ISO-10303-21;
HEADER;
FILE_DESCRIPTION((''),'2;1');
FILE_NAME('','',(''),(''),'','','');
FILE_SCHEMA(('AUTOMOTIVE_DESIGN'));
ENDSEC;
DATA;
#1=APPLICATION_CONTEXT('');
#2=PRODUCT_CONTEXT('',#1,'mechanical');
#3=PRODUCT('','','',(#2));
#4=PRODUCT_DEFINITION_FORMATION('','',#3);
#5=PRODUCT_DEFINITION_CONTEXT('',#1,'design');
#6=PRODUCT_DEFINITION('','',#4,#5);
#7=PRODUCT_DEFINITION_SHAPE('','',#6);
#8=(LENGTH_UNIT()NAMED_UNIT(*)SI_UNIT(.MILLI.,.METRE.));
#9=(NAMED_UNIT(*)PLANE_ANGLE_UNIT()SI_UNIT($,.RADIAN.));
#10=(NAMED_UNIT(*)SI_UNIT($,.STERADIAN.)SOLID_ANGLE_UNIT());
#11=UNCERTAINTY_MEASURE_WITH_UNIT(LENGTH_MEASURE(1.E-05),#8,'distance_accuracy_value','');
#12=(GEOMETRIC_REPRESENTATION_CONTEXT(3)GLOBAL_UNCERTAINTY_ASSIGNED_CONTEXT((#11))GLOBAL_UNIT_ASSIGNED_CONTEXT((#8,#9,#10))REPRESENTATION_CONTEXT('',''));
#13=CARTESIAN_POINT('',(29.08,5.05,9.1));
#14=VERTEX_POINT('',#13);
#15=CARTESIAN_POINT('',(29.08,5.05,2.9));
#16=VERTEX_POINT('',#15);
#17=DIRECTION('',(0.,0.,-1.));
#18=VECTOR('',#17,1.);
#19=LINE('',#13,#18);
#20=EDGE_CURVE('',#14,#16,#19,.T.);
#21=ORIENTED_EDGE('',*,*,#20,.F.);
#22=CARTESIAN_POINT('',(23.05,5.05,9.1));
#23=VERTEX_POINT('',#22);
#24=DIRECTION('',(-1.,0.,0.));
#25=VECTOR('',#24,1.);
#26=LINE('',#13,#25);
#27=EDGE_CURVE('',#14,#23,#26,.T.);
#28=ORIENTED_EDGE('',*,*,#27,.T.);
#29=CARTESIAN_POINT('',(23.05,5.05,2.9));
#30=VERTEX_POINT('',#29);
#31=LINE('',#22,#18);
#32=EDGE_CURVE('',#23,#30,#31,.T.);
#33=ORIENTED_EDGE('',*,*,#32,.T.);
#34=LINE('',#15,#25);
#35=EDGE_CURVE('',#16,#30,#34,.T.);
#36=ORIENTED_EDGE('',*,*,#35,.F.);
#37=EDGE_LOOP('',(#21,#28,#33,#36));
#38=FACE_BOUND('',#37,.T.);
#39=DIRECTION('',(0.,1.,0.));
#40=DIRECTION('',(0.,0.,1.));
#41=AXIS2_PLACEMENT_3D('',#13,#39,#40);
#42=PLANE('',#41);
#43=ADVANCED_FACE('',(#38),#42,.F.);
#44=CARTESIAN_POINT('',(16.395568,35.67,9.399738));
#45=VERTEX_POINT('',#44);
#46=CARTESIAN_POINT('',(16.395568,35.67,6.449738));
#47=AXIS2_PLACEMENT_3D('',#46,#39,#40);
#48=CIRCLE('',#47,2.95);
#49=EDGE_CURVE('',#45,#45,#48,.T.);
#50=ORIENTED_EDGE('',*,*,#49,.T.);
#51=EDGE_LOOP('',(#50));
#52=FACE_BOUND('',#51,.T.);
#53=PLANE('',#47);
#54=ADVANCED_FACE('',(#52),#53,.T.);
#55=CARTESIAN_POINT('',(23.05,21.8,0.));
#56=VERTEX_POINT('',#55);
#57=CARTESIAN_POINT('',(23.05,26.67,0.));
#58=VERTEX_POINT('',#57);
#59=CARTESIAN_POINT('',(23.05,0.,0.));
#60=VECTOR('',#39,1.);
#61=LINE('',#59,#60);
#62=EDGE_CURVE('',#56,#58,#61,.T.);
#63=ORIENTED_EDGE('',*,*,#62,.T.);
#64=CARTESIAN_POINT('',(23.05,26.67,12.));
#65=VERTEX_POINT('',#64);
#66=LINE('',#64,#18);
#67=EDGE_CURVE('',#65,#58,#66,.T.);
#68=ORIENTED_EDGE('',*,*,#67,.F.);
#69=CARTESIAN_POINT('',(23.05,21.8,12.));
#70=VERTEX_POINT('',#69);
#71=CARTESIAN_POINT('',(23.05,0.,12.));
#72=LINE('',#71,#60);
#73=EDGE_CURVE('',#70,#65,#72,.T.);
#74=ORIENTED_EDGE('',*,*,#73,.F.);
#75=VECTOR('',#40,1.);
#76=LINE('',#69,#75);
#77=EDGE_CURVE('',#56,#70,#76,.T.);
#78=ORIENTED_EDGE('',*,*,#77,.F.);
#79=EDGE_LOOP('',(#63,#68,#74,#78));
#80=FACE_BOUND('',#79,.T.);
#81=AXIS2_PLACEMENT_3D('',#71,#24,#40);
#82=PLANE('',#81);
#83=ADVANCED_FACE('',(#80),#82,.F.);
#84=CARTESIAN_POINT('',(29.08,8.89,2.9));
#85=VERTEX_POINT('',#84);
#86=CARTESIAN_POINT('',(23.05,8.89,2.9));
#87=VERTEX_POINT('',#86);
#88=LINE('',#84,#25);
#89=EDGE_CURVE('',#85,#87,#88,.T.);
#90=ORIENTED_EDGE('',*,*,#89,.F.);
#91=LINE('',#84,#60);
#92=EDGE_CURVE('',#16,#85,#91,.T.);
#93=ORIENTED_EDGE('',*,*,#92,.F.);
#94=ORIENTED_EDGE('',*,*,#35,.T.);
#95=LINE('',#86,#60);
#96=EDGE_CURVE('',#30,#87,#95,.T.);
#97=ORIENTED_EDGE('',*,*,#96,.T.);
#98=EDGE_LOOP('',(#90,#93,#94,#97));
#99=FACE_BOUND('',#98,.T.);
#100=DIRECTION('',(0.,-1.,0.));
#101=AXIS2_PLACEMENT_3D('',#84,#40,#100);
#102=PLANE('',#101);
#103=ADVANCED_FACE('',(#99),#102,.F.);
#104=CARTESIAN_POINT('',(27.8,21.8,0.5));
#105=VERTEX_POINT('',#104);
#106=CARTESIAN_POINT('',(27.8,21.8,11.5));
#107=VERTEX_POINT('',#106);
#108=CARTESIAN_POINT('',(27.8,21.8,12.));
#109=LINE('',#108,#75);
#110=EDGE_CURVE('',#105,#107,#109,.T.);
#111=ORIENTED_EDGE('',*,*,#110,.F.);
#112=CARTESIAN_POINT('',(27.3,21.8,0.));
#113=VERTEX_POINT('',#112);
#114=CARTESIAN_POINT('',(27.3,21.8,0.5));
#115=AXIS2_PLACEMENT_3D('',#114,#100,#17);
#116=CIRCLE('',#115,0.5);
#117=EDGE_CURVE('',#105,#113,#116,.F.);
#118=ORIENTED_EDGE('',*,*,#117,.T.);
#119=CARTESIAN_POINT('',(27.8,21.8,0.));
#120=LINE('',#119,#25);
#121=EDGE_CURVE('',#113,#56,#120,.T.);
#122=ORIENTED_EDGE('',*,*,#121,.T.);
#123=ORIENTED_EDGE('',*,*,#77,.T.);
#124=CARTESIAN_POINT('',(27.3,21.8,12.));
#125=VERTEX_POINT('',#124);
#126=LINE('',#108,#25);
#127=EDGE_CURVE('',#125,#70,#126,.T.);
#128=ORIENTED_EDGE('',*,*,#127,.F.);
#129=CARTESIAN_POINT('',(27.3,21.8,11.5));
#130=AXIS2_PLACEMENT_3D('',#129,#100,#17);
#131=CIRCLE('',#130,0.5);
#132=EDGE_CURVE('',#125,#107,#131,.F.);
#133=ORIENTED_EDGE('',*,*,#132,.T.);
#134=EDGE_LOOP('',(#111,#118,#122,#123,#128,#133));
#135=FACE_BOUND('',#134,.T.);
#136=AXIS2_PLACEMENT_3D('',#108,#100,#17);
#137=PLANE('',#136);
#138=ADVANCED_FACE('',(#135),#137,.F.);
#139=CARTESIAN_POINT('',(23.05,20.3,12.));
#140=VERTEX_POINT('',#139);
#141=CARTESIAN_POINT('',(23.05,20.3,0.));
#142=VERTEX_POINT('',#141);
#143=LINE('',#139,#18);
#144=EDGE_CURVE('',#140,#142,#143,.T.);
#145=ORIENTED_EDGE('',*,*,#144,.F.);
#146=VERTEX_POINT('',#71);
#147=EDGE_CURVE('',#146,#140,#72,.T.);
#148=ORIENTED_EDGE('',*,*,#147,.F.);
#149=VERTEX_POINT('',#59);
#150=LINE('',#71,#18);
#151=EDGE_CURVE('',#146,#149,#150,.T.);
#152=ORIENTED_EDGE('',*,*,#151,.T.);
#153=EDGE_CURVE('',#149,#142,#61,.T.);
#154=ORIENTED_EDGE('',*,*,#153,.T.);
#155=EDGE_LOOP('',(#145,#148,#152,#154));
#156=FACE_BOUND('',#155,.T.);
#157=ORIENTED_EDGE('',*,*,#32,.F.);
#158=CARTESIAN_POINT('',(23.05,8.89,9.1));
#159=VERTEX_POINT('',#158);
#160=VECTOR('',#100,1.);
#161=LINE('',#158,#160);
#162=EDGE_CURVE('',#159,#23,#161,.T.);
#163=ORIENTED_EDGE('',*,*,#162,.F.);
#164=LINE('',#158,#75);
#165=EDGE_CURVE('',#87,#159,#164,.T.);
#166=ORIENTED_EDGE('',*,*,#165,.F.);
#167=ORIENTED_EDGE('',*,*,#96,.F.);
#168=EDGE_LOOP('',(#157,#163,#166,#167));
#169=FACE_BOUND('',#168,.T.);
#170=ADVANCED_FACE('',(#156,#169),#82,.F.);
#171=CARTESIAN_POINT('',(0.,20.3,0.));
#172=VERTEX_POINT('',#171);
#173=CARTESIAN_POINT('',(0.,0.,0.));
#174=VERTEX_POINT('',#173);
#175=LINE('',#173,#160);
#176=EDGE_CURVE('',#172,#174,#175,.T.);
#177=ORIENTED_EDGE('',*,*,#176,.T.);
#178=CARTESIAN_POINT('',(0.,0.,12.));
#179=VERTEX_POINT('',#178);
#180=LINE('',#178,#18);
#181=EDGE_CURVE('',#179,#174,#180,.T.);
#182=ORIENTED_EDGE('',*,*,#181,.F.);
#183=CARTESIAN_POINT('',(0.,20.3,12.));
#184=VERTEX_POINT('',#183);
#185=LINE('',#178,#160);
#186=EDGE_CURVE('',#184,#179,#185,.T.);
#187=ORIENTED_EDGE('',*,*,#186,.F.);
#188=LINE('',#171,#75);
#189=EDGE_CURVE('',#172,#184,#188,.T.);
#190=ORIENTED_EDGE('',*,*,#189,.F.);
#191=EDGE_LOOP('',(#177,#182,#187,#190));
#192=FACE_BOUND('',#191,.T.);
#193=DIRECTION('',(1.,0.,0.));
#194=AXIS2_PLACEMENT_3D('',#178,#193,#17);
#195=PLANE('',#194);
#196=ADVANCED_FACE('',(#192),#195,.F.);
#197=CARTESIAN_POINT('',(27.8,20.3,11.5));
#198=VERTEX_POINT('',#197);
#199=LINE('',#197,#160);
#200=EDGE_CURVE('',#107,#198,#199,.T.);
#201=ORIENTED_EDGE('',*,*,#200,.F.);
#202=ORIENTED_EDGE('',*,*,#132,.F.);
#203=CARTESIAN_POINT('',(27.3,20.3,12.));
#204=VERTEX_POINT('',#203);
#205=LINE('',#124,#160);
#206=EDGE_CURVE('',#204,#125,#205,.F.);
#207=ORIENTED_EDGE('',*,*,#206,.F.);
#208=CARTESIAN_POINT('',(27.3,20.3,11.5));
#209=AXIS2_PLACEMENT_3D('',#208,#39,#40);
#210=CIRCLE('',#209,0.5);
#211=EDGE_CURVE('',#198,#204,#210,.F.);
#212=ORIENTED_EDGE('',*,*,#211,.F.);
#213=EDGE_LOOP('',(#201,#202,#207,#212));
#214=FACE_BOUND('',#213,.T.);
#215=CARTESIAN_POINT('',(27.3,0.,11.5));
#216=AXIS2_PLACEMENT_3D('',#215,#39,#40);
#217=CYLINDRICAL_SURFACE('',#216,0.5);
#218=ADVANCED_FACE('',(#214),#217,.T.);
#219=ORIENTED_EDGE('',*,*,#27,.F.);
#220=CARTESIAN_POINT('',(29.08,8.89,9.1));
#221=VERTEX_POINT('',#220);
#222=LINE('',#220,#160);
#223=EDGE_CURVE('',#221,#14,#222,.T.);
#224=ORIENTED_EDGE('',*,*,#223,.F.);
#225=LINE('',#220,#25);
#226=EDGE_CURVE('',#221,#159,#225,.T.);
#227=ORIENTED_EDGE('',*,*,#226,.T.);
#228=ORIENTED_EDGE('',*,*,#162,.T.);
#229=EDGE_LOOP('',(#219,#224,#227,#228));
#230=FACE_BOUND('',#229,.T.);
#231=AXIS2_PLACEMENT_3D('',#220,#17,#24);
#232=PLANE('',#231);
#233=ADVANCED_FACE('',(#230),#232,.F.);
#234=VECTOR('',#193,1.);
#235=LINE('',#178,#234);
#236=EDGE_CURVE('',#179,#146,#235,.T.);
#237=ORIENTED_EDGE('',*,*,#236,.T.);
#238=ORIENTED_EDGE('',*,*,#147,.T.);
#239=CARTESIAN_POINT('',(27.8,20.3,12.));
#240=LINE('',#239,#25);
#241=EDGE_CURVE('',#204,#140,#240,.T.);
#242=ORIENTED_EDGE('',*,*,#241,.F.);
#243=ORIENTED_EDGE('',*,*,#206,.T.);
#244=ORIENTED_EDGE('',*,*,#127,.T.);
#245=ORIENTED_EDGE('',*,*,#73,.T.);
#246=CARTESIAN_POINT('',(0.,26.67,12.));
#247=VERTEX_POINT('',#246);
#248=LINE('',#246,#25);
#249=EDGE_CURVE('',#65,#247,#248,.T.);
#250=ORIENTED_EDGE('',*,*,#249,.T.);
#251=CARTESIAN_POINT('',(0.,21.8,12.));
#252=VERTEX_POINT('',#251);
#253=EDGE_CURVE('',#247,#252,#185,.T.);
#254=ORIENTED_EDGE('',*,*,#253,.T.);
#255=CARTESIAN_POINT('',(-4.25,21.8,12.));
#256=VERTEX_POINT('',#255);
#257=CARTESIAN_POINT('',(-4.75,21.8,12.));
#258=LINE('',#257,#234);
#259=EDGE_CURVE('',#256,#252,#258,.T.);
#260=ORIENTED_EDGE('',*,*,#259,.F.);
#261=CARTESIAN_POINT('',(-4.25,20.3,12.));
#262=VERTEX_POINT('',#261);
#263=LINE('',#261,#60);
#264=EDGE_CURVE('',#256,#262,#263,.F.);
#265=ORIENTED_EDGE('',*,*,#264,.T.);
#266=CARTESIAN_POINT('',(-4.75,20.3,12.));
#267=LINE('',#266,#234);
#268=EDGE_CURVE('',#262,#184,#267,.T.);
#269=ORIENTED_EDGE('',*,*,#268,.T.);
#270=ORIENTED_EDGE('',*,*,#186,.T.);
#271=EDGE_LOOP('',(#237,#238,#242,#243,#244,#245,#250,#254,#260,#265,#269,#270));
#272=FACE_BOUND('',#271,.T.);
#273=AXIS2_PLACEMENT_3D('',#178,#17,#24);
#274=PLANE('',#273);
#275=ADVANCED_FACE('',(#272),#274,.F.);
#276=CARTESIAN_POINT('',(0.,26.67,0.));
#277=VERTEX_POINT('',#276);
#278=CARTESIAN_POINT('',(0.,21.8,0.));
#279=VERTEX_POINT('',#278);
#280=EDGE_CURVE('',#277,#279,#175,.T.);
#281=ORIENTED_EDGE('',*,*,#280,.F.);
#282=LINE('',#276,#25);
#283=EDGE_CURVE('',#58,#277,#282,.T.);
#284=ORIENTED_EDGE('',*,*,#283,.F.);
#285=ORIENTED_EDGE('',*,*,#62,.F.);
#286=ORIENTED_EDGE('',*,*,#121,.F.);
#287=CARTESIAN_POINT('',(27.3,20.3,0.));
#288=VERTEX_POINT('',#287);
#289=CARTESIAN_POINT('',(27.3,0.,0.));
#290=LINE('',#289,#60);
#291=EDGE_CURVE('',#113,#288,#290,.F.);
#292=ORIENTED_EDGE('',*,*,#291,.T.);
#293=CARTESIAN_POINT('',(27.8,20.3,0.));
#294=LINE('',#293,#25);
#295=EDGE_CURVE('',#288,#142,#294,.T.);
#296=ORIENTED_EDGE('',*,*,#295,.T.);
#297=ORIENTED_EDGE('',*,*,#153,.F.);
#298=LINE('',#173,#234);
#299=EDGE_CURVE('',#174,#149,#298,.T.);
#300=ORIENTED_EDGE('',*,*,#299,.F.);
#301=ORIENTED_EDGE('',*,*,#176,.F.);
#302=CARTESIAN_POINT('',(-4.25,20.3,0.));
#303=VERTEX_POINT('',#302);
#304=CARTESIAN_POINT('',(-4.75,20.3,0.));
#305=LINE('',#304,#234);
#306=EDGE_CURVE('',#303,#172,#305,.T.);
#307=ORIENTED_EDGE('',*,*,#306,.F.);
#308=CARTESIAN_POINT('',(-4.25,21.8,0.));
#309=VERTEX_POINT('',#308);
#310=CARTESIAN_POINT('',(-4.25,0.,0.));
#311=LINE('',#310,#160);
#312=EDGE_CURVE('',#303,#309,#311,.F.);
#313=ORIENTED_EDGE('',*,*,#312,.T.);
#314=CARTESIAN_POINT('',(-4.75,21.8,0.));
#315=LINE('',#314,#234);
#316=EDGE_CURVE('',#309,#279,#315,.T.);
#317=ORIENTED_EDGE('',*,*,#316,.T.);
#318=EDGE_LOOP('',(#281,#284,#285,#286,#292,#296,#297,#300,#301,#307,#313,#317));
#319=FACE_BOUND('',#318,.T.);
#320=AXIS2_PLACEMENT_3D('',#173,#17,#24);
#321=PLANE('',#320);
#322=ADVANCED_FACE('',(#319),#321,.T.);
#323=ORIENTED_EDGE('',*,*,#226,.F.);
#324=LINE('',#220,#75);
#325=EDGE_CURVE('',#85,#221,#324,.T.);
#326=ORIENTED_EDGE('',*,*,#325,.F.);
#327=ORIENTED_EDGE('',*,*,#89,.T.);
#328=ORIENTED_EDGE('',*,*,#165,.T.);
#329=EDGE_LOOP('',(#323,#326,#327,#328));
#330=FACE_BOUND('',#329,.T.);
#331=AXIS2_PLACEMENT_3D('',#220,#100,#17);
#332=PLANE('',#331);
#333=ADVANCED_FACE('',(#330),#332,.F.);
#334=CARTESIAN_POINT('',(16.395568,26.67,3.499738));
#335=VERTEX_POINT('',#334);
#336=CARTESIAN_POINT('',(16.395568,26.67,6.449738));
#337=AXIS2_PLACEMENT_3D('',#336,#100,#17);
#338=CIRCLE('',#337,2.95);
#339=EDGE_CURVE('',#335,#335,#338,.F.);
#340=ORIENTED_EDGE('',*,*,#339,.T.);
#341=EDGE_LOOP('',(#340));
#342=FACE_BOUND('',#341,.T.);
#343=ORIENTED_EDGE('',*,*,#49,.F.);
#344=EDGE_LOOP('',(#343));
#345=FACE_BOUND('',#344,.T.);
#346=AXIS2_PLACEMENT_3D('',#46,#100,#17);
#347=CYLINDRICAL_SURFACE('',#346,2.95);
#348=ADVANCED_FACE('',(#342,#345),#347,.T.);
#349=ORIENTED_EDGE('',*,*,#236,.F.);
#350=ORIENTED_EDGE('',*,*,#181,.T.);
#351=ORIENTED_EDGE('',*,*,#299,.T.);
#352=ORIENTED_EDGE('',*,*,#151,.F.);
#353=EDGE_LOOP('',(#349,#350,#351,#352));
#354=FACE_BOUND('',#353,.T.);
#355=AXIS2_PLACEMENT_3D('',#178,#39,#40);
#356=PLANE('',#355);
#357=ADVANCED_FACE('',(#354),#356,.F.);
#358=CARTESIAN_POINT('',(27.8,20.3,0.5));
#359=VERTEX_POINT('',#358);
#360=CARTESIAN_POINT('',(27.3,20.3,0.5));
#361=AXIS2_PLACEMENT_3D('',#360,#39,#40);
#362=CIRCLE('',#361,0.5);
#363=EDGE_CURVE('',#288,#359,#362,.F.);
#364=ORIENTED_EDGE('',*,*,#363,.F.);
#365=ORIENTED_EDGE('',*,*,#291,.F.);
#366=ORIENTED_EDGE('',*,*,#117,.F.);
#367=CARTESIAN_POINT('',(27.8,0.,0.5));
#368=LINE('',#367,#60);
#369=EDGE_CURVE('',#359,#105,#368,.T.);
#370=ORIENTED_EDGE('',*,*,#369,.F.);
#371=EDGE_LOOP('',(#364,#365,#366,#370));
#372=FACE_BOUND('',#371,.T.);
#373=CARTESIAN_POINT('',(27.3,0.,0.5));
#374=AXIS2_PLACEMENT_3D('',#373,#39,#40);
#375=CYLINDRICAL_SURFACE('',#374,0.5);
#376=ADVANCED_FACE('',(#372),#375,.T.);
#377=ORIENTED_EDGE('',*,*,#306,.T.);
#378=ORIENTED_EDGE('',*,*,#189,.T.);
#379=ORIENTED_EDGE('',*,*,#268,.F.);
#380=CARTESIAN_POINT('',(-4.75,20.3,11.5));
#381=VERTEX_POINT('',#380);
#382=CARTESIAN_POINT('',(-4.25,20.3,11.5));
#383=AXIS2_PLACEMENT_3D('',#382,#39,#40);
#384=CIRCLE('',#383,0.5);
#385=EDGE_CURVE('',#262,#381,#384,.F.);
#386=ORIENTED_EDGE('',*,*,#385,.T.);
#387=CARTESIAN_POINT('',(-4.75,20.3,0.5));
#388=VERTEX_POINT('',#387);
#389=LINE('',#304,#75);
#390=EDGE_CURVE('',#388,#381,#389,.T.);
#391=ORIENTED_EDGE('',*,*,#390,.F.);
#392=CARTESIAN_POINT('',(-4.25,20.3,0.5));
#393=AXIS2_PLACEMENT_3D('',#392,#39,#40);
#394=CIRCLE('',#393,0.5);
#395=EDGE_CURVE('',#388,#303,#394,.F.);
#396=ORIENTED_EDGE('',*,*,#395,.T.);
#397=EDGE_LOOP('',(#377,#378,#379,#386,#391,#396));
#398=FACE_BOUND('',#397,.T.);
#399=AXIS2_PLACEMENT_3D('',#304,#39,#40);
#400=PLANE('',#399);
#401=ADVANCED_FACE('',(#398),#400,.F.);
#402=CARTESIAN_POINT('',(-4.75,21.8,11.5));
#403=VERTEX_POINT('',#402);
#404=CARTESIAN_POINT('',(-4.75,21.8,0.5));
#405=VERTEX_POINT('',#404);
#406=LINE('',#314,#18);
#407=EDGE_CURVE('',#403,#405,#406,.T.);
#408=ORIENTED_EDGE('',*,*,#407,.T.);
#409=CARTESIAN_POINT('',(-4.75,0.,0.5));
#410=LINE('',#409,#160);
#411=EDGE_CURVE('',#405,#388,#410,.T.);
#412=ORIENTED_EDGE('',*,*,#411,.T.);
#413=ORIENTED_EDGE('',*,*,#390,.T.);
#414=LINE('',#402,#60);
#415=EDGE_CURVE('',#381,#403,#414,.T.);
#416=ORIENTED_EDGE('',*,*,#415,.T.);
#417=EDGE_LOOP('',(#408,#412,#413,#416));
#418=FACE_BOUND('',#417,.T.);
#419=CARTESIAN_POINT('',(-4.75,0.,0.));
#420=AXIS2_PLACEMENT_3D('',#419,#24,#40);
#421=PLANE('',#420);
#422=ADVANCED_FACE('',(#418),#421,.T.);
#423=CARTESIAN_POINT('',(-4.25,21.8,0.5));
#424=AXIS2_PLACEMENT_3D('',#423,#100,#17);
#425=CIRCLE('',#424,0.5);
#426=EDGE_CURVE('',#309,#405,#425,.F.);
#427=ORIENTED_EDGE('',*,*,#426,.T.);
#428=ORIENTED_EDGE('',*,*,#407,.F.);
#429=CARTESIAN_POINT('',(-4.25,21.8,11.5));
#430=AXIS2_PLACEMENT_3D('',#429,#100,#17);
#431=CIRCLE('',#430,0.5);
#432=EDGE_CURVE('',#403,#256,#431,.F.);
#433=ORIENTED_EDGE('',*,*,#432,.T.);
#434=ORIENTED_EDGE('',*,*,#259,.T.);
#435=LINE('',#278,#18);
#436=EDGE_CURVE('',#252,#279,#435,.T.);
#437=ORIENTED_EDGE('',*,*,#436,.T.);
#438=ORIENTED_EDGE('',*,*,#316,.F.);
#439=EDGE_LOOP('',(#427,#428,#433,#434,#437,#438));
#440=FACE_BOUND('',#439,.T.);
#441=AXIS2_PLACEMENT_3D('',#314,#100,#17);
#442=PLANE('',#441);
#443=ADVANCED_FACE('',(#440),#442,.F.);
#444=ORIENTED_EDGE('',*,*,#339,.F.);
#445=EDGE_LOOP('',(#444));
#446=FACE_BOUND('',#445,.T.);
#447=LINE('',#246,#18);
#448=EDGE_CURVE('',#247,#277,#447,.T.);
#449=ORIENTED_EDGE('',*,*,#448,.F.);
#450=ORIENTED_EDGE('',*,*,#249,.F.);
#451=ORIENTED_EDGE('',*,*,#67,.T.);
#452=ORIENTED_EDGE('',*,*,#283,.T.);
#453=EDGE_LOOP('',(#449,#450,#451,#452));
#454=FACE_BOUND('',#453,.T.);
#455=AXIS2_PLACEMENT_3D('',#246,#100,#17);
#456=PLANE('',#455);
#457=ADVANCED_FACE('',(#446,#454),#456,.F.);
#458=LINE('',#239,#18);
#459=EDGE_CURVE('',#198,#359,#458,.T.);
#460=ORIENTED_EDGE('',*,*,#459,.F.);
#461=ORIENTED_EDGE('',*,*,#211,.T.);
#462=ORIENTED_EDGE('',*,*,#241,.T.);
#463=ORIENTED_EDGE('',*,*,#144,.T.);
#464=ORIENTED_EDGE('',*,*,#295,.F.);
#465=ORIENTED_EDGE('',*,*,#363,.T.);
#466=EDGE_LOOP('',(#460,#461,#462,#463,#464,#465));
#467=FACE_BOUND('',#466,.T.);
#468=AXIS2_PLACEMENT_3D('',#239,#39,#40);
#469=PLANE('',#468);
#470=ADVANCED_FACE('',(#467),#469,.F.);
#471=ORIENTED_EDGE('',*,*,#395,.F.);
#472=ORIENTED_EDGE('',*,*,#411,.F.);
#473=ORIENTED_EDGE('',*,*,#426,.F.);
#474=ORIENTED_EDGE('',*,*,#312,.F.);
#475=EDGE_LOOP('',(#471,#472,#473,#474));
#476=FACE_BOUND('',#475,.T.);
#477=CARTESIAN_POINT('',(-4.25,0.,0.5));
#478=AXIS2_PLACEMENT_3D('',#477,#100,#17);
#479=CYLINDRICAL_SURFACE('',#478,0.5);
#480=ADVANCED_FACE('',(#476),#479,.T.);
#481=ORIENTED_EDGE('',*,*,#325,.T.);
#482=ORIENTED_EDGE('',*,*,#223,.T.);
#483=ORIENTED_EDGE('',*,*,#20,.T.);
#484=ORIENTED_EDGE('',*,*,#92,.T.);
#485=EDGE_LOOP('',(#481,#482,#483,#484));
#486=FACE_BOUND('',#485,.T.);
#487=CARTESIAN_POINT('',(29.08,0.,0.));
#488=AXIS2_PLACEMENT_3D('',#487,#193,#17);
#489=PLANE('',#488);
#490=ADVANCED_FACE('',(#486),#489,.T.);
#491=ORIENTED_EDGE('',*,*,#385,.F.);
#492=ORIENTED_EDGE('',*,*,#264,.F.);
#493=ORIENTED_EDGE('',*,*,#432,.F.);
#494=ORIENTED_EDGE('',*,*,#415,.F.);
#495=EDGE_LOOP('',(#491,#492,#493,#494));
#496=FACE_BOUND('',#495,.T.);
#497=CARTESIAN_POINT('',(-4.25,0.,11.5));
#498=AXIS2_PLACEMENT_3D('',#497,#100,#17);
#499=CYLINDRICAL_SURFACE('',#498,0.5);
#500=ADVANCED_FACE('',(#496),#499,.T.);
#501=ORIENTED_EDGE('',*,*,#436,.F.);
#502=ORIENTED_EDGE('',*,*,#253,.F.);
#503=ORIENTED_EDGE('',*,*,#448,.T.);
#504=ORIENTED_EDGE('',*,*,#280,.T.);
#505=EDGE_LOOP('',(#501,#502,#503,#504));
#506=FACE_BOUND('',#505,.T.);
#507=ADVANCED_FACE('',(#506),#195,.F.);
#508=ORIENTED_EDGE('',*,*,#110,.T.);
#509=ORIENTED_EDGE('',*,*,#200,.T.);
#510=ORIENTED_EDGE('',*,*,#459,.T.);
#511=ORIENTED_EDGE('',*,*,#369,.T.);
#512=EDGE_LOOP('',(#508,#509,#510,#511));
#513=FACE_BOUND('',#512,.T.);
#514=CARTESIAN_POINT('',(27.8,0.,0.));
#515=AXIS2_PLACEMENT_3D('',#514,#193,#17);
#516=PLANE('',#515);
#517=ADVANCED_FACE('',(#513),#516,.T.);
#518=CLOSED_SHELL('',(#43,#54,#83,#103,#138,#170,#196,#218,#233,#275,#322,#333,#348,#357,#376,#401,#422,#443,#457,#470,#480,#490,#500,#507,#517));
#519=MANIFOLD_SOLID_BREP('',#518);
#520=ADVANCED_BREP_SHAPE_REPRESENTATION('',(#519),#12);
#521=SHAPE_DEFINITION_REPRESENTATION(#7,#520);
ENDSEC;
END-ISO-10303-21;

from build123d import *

# Parameters (mm, degrees)
SKETCH1_W           = 23.05
SKETCH1_H           = 26.67
BOSS_EXTRUDE1_DEPTH = 12
SKETCH2_W           = 12
SKETCH2_H           = 1.5
BOSS_EXTRUDE2_DEPTH = 4.75
FILLET1_R           = 0.5
SKETCH3_W           = 12
SKETCH3_H           = 1.5
BOSS_EXTRUDE3_DEPTH = 4.75
FILLET2_R           = 0.5
SKETCH4_W           = 6.2
SKETCH4_H           = 3.84
BOSS_EXTRUDE4_DEPTH = 6.03
SKETCH5_R           = 2.95
BOSS_EXTRUDE5_DEPTH = 9


with BuildPart() as part:
    # Sketch1 → Boss-Extrude1 (new body)
    with BuildSketch(Plane.XY):
        with Locations((11.525, 13.335)):
            Rectangle(SKETCH1_W, SKETCH1_H)
    extrude(amount=BOSS_EXTRUDE1_DEPTH)

    # Sketch2 → Boss-Extrude2 (add)
    with BuildSketch(Plane(origin=(23.05, 0, 0), x_dir=(0, 0, -1), z_dir=(1, 0, 0))):
        with Locations((-6, 21.05)):
            Rectangle(SKETCH2_W, SKETCH2_H)
    extrude(amount=BOSS_EXTRUDE2_DEPTH)

    # Fillet1
    fillet1_edges = [part.edges().sort_by_distance(p)[0] for p in [
        (27.8, 21.05, 12),
        (27.8, 21.05, 0),
    ]]
    fillet(fillet1_edges, radius=FILLET1_R)

    # Sketch3 → Boss-Extrude3 (add)
    with BuildSketch(Plane.ZY):
        with Locations((6, 21.05)):
            Rectangle(SKETCH3_W, SKETCH3_H)
    extrude(amount=BOSS_EXTRUDE3_DEPTH)

    # Fillet2
    fillet2_edges = [part.edges().sort_by_distance(p)[0] for p in [
        (-4.75, 21.05, 0),
        (-4.75, 21.05, 12),
    ]]
    fillet(fillet2_edges, radius=FILLET2_R)

    # Sketch4 → Boss-Extrude4 (add)
    with BuildSketch(Plane(origin=(23.05, 0, 0), x_dir=(0, 0, -1), z_dir=(1, 0, 0))):
        with Locations((-6, 6.97)):
            Rectangle(SKETCH4_W, SKETCH4_H)
    extrude(amount=BOSS_EXTRUDE4_DEPTH)

    # Sketch5 → Boss-Extrude5 (add)
    with BuildSketch(Plane(origin=(0, 26.67, 0), x_dir=(1, 0, 0), z_dir=(0, 1, 0))):
        with Locations(Location((16.395567503, -6.449737637, 0), (0, 0, 90))):
            Circle(SKETCH5_R)
    extrude(amount=BOSS_EXTRUDE5_DEPTH)


solid = part.part
